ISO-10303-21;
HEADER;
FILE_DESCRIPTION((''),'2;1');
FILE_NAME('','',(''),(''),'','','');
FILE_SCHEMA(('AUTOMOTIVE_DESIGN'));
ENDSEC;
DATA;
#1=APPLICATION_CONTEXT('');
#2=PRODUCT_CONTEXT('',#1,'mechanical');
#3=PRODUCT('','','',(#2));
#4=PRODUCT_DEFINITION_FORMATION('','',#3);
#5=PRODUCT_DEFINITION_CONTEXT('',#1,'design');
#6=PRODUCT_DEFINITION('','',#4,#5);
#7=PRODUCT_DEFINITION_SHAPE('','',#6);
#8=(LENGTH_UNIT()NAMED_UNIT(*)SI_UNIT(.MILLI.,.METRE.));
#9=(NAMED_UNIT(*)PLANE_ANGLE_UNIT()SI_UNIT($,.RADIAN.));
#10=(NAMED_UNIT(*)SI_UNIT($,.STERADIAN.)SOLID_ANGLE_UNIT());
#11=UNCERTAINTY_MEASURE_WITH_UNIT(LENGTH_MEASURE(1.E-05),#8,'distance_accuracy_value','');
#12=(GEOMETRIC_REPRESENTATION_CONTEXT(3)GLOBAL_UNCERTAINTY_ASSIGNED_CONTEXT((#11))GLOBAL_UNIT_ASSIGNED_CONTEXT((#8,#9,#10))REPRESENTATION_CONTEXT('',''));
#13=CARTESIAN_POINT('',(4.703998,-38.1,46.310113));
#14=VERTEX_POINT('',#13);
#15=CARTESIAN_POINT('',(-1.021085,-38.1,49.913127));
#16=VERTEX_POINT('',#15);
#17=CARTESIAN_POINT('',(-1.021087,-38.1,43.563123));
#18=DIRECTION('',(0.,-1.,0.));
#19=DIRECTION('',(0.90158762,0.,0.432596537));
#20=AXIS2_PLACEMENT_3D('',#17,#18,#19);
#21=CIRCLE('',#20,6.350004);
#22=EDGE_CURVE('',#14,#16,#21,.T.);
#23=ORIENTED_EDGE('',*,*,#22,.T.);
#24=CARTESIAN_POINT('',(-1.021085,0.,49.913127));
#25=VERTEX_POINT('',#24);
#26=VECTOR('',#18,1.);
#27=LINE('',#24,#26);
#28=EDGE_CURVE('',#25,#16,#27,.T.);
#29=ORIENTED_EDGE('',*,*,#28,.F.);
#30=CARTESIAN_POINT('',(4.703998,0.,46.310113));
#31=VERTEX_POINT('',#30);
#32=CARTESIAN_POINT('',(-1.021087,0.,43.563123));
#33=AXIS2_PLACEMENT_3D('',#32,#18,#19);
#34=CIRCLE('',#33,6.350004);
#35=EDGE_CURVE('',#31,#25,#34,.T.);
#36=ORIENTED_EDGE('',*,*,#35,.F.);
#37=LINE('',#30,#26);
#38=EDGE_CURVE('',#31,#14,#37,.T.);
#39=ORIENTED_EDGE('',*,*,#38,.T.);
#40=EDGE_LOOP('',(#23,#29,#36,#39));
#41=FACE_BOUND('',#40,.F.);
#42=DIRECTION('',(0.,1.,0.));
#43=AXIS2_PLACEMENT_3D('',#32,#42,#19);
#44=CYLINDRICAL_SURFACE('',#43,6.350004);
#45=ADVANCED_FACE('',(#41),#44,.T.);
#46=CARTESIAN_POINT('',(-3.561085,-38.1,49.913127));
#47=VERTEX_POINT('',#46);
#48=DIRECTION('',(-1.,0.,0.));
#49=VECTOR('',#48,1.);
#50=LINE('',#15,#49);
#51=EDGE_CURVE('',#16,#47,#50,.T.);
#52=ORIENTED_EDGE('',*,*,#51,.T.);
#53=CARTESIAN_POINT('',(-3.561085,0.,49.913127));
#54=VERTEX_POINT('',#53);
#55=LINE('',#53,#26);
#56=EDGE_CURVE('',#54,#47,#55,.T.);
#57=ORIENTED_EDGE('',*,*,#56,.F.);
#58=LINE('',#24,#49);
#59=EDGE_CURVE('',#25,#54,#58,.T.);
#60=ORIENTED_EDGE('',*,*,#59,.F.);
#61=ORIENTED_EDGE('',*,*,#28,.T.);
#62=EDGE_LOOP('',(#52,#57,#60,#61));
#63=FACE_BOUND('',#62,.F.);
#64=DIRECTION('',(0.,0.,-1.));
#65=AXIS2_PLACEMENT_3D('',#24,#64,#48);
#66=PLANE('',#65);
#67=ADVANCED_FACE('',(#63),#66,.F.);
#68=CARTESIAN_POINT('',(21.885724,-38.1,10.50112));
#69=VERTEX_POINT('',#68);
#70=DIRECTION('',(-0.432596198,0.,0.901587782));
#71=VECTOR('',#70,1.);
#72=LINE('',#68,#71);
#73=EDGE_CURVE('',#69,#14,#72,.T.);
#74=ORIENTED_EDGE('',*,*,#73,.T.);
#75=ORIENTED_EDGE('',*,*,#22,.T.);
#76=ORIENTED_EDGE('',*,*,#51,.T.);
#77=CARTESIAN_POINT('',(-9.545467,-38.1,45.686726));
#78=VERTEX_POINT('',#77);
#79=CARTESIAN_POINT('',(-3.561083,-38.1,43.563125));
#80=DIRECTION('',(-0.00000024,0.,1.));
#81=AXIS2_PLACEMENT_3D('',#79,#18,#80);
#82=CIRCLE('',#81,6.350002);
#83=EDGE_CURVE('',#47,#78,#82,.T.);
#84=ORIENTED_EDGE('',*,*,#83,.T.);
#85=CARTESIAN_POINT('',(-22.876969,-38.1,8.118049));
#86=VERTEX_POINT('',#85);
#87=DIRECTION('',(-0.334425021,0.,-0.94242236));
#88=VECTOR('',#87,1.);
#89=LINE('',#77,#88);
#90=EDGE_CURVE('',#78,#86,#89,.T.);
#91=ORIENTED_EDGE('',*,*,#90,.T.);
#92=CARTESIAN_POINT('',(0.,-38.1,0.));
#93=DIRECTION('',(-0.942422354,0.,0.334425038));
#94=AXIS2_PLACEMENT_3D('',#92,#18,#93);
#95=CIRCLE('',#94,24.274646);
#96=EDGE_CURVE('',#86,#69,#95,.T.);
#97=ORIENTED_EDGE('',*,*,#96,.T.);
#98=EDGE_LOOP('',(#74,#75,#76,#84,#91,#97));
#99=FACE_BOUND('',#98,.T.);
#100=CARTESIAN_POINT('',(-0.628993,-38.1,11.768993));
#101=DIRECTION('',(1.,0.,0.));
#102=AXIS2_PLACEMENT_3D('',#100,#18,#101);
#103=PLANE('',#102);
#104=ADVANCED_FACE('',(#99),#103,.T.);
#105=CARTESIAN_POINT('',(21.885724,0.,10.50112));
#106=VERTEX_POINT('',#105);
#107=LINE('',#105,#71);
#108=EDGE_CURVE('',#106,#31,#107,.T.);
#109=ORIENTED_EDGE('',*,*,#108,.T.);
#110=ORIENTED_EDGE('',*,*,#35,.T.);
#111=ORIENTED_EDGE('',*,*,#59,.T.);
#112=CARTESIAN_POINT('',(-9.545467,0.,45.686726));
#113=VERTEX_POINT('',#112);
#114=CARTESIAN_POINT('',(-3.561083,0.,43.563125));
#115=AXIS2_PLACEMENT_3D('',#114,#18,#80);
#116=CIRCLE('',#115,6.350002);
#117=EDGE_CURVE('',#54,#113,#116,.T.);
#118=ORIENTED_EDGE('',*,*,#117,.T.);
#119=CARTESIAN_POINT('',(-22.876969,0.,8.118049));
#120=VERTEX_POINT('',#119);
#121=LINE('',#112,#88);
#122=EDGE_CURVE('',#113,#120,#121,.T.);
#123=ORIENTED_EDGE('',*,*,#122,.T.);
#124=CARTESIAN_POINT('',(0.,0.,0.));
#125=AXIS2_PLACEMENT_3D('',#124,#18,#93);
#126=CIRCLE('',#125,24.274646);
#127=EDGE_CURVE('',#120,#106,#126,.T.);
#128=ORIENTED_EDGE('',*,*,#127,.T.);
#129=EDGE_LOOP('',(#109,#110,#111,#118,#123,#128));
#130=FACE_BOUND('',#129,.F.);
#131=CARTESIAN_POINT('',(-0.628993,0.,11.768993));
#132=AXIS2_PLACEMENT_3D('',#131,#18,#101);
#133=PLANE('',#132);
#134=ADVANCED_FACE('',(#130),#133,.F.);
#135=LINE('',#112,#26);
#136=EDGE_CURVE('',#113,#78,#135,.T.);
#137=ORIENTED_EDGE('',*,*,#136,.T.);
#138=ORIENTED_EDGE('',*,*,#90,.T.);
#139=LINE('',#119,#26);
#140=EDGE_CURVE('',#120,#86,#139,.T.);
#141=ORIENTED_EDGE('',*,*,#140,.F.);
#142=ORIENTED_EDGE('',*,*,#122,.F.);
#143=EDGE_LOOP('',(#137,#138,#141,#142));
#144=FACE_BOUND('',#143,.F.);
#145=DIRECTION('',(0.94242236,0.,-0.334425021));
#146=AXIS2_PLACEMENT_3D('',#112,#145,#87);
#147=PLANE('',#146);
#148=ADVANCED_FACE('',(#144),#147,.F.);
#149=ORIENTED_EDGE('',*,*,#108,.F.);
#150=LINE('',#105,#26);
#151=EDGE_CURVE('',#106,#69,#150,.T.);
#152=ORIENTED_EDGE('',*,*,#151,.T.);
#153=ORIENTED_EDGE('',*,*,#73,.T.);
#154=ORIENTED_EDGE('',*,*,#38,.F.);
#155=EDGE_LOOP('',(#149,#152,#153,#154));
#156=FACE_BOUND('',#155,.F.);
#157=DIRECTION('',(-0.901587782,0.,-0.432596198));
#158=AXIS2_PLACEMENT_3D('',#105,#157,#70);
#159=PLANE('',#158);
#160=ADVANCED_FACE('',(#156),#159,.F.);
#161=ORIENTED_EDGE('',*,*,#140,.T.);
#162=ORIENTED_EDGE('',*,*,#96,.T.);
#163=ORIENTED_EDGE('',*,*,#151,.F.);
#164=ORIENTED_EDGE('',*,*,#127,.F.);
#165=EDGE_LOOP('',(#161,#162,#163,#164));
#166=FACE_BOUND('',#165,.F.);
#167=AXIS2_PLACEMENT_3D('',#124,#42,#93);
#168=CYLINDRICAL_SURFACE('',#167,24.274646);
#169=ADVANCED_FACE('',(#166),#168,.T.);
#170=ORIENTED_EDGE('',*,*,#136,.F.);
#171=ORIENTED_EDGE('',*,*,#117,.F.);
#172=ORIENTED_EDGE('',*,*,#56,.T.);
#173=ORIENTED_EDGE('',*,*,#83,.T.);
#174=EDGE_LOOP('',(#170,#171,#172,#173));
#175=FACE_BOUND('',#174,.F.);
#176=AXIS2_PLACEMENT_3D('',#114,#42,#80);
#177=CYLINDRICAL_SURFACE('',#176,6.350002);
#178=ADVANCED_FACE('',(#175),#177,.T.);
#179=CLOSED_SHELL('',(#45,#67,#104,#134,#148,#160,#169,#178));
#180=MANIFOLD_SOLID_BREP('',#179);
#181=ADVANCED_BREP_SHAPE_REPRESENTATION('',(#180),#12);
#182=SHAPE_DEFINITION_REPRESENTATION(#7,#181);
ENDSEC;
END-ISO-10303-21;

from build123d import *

# Parameters (mm, degrees)
F1_DEPTH = 38.1


with BuildPart() as f1:
    # F0 (on Front) → F1 (new body)
    with BuildSketch(Plane.XZ):
        with BuildLine():
            Line((-9.545467, 45.686726), (-22.876969, 8.118049))
            ThreePointArc((-22.876969, 8.118049), (1.290503, -24.240319), (21.885724, 10.50112))
            Line((21.885724, 10.50112), (4.703998, 46.310113))
            ThreePointArc((4.703998, 46.310113), (2.361158, 48.937411), (-1.021085, 49.913127))
            Line((-1.021085, 49.913127), (-3.561085, 49.913127))
            ThreePointArc((-3.561085, 49.913127), (-7.224256, 48.750002), (-9.545467, 45.686726))
        make_face()
    extrude(amount=F1_DEPTH)


solid = f1.part
